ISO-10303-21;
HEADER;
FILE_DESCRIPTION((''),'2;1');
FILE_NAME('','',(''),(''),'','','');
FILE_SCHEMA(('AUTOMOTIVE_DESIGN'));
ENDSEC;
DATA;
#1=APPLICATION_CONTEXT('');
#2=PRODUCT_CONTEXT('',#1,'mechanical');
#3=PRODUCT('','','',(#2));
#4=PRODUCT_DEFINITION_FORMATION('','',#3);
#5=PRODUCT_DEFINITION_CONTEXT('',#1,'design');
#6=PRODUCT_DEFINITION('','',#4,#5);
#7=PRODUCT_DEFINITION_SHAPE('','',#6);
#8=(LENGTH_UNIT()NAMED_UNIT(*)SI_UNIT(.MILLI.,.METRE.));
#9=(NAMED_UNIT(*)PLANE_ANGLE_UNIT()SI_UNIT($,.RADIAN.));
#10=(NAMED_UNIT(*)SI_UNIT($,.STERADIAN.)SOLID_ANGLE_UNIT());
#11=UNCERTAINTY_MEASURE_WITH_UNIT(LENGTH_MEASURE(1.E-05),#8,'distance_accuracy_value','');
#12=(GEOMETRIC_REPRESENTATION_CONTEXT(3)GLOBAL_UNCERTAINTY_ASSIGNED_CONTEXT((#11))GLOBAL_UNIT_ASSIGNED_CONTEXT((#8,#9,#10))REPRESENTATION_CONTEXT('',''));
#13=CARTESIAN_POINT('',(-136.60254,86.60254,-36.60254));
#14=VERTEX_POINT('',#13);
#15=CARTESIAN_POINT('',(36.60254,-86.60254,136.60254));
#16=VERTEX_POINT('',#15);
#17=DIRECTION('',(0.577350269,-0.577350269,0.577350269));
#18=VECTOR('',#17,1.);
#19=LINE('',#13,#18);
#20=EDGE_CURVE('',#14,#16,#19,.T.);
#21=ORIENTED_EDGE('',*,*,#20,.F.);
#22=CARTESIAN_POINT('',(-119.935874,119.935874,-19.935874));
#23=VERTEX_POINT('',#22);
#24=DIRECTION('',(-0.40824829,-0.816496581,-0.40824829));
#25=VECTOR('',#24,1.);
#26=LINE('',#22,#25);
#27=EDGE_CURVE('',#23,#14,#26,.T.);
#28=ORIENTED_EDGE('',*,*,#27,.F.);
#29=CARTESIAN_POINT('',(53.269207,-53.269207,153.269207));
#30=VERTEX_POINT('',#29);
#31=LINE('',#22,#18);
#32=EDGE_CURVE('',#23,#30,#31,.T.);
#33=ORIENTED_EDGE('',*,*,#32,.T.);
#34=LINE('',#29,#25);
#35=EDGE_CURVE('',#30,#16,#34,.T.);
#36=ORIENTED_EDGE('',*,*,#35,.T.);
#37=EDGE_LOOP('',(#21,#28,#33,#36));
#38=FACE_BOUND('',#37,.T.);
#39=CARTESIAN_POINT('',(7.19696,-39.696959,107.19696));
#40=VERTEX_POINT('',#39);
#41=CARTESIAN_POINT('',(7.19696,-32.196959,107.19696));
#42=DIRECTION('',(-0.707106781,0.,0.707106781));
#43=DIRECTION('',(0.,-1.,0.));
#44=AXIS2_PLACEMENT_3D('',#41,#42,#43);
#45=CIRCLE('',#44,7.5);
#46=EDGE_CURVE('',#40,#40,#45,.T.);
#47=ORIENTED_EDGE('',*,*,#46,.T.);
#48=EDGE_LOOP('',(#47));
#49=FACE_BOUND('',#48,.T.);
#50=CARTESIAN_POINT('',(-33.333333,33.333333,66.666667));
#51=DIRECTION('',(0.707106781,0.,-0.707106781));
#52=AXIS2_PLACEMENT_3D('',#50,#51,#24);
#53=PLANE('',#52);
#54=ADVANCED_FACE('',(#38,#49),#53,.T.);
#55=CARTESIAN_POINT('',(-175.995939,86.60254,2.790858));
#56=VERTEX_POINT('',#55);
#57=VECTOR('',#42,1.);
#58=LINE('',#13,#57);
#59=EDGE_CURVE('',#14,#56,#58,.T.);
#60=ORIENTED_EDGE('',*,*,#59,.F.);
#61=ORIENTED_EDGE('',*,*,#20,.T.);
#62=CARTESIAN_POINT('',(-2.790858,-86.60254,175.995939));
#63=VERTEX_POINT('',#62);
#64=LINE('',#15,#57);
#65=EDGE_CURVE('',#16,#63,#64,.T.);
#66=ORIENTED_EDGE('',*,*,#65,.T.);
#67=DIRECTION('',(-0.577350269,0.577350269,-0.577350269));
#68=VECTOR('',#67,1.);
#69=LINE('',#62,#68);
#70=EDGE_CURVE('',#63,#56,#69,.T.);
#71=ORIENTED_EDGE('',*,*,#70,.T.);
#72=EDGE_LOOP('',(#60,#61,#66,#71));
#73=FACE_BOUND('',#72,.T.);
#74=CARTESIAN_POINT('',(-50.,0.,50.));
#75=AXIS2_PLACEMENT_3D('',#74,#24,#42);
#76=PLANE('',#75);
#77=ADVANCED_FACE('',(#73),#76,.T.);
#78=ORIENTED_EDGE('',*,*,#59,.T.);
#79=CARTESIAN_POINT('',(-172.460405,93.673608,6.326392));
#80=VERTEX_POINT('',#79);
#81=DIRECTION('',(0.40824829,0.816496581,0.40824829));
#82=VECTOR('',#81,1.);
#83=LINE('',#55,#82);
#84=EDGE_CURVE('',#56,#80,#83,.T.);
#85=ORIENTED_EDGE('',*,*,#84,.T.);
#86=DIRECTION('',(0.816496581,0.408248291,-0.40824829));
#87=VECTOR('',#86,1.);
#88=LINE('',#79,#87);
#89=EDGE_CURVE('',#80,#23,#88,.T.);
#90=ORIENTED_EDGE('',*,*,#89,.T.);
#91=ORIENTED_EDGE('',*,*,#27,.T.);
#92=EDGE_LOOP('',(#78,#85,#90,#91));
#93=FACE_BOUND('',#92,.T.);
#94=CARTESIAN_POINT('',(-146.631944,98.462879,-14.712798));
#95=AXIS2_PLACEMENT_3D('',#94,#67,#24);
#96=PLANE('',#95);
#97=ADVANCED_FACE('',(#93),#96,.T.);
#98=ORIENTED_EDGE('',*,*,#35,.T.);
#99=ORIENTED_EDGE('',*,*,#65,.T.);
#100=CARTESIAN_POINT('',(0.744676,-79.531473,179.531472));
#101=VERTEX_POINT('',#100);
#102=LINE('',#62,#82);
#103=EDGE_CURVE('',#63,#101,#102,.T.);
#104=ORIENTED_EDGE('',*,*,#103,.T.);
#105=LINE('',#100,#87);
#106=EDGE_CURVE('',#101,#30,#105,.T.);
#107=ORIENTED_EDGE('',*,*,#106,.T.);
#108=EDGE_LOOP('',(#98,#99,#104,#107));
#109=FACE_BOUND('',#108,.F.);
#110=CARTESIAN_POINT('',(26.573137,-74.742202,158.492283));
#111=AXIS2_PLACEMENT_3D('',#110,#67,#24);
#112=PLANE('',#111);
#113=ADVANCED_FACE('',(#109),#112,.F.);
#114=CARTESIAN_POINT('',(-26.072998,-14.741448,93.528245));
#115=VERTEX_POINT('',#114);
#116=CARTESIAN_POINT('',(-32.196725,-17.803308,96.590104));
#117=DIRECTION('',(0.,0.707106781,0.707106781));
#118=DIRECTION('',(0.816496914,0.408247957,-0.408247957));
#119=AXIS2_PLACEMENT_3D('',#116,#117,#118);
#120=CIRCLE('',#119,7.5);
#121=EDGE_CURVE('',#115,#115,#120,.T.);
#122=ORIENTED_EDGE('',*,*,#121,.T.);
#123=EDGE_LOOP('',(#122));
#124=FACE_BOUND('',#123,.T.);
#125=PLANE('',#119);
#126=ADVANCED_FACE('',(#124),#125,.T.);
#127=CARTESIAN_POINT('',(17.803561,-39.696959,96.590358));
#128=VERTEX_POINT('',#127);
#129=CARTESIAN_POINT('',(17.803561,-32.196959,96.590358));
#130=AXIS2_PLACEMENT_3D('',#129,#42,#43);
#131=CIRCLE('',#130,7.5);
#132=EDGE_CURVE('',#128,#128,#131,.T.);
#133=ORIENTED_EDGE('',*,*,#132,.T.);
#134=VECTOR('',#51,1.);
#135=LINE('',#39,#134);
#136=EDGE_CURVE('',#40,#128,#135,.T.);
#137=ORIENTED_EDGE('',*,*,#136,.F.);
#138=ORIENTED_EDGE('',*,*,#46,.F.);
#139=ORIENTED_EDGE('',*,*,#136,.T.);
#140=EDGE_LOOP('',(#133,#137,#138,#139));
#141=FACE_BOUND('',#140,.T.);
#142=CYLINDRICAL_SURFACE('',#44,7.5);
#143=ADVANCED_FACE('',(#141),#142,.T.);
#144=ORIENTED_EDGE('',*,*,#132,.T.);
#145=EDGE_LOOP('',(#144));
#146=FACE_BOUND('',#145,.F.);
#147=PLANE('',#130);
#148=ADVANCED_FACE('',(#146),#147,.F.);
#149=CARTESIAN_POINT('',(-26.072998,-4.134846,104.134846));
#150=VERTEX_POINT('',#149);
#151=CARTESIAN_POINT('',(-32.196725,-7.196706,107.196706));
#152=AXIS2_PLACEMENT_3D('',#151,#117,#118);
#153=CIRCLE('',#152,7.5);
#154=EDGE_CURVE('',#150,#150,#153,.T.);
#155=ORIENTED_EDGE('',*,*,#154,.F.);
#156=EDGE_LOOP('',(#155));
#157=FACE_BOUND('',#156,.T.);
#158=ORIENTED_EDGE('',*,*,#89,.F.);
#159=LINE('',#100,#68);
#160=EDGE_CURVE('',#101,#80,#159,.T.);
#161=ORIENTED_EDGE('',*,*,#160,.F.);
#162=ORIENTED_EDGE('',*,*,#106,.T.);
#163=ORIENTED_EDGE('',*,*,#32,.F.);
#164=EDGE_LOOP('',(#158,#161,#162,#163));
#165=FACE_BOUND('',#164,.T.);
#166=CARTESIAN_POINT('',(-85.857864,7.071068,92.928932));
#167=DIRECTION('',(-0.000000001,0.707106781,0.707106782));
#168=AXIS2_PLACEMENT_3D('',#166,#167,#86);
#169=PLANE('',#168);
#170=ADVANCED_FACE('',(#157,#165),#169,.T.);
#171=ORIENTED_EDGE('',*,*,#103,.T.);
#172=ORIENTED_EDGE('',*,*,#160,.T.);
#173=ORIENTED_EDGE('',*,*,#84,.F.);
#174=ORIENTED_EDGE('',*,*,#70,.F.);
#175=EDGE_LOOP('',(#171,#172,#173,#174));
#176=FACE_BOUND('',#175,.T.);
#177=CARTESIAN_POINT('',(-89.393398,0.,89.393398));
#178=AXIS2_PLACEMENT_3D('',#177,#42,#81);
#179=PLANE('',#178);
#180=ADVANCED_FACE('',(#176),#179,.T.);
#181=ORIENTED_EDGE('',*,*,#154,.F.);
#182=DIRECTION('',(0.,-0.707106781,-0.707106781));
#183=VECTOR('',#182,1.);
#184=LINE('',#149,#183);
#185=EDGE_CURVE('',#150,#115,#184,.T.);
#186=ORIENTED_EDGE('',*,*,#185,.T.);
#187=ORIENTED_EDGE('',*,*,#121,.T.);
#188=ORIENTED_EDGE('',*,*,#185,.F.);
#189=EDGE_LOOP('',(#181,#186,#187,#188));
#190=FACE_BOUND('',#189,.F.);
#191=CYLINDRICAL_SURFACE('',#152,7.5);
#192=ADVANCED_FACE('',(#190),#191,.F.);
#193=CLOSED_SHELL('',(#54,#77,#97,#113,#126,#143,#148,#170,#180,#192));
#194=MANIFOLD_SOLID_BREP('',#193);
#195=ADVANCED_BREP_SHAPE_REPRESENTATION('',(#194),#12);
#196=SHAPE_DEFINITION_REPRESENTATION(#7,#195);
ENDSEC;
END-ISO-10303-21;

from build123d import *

# Parameters (mm, degrees)
PAD001_DEPTH            = 150
SKETCH001_R             = 7.5
PAD_DEPTH               = 15
SKETCH003_R             = 7.5
POCKET003_DEPTH         = 15
BODY005_PLACEMENT_ANGLE = 270


with BuildPart() as part:
    # Sketch002 (on DatumPlane) → Pad001 (new body, symmetric)
    with BuildSketch(Plane(origin=(0, -50, 50), x_dir=(0.816497, -0.408248, -0.408248), z_dir=(-0.57735, -0.57735, -0.57735))):
        Polygon((0, 0), (0, 55.710678), (-8.660254, 55.710678), (-40.824829, 0), align=None)
    extrude(amount=PAD001_DEPTH, both=True)

    # Sketch001 (on Face7 of Binder001) → Pad (join)
    with BuildSketch(Plane(origin=(0, -50, 50), x_dir=(1, 0, 0), z_dir=(0, -0.707107, 0.707107))):
        with Locations((32.196959, 80.888716)):
            Circle(SKETCH001_R)
    extrude(amount=-PAD_DEPTH)

    # Sketch003 (on Face6 of Pad) → Pocket003 (cut)
    with BuildSketch(Plane(origin=(-25, -50, 75), x_dir=(-0.408248, 0.816497, -0.408248), z_dir=(-0.707107, 0, 0.707107))):
        with Locations((-11.75216, -47.456286)):
            Circle(SKETCH003_R)
    extrude(amount=-POCKET003_DEPTH, mode=Mode.SUBTRACT)


with BuildPart() as part_1:
    # Body005 placement: moved
    add(part.part.rotate(Axis((0, 0, 0), (0, 0, 1)), BODY005_PLACEMENT_ANGLE))


solid = part_1.part
